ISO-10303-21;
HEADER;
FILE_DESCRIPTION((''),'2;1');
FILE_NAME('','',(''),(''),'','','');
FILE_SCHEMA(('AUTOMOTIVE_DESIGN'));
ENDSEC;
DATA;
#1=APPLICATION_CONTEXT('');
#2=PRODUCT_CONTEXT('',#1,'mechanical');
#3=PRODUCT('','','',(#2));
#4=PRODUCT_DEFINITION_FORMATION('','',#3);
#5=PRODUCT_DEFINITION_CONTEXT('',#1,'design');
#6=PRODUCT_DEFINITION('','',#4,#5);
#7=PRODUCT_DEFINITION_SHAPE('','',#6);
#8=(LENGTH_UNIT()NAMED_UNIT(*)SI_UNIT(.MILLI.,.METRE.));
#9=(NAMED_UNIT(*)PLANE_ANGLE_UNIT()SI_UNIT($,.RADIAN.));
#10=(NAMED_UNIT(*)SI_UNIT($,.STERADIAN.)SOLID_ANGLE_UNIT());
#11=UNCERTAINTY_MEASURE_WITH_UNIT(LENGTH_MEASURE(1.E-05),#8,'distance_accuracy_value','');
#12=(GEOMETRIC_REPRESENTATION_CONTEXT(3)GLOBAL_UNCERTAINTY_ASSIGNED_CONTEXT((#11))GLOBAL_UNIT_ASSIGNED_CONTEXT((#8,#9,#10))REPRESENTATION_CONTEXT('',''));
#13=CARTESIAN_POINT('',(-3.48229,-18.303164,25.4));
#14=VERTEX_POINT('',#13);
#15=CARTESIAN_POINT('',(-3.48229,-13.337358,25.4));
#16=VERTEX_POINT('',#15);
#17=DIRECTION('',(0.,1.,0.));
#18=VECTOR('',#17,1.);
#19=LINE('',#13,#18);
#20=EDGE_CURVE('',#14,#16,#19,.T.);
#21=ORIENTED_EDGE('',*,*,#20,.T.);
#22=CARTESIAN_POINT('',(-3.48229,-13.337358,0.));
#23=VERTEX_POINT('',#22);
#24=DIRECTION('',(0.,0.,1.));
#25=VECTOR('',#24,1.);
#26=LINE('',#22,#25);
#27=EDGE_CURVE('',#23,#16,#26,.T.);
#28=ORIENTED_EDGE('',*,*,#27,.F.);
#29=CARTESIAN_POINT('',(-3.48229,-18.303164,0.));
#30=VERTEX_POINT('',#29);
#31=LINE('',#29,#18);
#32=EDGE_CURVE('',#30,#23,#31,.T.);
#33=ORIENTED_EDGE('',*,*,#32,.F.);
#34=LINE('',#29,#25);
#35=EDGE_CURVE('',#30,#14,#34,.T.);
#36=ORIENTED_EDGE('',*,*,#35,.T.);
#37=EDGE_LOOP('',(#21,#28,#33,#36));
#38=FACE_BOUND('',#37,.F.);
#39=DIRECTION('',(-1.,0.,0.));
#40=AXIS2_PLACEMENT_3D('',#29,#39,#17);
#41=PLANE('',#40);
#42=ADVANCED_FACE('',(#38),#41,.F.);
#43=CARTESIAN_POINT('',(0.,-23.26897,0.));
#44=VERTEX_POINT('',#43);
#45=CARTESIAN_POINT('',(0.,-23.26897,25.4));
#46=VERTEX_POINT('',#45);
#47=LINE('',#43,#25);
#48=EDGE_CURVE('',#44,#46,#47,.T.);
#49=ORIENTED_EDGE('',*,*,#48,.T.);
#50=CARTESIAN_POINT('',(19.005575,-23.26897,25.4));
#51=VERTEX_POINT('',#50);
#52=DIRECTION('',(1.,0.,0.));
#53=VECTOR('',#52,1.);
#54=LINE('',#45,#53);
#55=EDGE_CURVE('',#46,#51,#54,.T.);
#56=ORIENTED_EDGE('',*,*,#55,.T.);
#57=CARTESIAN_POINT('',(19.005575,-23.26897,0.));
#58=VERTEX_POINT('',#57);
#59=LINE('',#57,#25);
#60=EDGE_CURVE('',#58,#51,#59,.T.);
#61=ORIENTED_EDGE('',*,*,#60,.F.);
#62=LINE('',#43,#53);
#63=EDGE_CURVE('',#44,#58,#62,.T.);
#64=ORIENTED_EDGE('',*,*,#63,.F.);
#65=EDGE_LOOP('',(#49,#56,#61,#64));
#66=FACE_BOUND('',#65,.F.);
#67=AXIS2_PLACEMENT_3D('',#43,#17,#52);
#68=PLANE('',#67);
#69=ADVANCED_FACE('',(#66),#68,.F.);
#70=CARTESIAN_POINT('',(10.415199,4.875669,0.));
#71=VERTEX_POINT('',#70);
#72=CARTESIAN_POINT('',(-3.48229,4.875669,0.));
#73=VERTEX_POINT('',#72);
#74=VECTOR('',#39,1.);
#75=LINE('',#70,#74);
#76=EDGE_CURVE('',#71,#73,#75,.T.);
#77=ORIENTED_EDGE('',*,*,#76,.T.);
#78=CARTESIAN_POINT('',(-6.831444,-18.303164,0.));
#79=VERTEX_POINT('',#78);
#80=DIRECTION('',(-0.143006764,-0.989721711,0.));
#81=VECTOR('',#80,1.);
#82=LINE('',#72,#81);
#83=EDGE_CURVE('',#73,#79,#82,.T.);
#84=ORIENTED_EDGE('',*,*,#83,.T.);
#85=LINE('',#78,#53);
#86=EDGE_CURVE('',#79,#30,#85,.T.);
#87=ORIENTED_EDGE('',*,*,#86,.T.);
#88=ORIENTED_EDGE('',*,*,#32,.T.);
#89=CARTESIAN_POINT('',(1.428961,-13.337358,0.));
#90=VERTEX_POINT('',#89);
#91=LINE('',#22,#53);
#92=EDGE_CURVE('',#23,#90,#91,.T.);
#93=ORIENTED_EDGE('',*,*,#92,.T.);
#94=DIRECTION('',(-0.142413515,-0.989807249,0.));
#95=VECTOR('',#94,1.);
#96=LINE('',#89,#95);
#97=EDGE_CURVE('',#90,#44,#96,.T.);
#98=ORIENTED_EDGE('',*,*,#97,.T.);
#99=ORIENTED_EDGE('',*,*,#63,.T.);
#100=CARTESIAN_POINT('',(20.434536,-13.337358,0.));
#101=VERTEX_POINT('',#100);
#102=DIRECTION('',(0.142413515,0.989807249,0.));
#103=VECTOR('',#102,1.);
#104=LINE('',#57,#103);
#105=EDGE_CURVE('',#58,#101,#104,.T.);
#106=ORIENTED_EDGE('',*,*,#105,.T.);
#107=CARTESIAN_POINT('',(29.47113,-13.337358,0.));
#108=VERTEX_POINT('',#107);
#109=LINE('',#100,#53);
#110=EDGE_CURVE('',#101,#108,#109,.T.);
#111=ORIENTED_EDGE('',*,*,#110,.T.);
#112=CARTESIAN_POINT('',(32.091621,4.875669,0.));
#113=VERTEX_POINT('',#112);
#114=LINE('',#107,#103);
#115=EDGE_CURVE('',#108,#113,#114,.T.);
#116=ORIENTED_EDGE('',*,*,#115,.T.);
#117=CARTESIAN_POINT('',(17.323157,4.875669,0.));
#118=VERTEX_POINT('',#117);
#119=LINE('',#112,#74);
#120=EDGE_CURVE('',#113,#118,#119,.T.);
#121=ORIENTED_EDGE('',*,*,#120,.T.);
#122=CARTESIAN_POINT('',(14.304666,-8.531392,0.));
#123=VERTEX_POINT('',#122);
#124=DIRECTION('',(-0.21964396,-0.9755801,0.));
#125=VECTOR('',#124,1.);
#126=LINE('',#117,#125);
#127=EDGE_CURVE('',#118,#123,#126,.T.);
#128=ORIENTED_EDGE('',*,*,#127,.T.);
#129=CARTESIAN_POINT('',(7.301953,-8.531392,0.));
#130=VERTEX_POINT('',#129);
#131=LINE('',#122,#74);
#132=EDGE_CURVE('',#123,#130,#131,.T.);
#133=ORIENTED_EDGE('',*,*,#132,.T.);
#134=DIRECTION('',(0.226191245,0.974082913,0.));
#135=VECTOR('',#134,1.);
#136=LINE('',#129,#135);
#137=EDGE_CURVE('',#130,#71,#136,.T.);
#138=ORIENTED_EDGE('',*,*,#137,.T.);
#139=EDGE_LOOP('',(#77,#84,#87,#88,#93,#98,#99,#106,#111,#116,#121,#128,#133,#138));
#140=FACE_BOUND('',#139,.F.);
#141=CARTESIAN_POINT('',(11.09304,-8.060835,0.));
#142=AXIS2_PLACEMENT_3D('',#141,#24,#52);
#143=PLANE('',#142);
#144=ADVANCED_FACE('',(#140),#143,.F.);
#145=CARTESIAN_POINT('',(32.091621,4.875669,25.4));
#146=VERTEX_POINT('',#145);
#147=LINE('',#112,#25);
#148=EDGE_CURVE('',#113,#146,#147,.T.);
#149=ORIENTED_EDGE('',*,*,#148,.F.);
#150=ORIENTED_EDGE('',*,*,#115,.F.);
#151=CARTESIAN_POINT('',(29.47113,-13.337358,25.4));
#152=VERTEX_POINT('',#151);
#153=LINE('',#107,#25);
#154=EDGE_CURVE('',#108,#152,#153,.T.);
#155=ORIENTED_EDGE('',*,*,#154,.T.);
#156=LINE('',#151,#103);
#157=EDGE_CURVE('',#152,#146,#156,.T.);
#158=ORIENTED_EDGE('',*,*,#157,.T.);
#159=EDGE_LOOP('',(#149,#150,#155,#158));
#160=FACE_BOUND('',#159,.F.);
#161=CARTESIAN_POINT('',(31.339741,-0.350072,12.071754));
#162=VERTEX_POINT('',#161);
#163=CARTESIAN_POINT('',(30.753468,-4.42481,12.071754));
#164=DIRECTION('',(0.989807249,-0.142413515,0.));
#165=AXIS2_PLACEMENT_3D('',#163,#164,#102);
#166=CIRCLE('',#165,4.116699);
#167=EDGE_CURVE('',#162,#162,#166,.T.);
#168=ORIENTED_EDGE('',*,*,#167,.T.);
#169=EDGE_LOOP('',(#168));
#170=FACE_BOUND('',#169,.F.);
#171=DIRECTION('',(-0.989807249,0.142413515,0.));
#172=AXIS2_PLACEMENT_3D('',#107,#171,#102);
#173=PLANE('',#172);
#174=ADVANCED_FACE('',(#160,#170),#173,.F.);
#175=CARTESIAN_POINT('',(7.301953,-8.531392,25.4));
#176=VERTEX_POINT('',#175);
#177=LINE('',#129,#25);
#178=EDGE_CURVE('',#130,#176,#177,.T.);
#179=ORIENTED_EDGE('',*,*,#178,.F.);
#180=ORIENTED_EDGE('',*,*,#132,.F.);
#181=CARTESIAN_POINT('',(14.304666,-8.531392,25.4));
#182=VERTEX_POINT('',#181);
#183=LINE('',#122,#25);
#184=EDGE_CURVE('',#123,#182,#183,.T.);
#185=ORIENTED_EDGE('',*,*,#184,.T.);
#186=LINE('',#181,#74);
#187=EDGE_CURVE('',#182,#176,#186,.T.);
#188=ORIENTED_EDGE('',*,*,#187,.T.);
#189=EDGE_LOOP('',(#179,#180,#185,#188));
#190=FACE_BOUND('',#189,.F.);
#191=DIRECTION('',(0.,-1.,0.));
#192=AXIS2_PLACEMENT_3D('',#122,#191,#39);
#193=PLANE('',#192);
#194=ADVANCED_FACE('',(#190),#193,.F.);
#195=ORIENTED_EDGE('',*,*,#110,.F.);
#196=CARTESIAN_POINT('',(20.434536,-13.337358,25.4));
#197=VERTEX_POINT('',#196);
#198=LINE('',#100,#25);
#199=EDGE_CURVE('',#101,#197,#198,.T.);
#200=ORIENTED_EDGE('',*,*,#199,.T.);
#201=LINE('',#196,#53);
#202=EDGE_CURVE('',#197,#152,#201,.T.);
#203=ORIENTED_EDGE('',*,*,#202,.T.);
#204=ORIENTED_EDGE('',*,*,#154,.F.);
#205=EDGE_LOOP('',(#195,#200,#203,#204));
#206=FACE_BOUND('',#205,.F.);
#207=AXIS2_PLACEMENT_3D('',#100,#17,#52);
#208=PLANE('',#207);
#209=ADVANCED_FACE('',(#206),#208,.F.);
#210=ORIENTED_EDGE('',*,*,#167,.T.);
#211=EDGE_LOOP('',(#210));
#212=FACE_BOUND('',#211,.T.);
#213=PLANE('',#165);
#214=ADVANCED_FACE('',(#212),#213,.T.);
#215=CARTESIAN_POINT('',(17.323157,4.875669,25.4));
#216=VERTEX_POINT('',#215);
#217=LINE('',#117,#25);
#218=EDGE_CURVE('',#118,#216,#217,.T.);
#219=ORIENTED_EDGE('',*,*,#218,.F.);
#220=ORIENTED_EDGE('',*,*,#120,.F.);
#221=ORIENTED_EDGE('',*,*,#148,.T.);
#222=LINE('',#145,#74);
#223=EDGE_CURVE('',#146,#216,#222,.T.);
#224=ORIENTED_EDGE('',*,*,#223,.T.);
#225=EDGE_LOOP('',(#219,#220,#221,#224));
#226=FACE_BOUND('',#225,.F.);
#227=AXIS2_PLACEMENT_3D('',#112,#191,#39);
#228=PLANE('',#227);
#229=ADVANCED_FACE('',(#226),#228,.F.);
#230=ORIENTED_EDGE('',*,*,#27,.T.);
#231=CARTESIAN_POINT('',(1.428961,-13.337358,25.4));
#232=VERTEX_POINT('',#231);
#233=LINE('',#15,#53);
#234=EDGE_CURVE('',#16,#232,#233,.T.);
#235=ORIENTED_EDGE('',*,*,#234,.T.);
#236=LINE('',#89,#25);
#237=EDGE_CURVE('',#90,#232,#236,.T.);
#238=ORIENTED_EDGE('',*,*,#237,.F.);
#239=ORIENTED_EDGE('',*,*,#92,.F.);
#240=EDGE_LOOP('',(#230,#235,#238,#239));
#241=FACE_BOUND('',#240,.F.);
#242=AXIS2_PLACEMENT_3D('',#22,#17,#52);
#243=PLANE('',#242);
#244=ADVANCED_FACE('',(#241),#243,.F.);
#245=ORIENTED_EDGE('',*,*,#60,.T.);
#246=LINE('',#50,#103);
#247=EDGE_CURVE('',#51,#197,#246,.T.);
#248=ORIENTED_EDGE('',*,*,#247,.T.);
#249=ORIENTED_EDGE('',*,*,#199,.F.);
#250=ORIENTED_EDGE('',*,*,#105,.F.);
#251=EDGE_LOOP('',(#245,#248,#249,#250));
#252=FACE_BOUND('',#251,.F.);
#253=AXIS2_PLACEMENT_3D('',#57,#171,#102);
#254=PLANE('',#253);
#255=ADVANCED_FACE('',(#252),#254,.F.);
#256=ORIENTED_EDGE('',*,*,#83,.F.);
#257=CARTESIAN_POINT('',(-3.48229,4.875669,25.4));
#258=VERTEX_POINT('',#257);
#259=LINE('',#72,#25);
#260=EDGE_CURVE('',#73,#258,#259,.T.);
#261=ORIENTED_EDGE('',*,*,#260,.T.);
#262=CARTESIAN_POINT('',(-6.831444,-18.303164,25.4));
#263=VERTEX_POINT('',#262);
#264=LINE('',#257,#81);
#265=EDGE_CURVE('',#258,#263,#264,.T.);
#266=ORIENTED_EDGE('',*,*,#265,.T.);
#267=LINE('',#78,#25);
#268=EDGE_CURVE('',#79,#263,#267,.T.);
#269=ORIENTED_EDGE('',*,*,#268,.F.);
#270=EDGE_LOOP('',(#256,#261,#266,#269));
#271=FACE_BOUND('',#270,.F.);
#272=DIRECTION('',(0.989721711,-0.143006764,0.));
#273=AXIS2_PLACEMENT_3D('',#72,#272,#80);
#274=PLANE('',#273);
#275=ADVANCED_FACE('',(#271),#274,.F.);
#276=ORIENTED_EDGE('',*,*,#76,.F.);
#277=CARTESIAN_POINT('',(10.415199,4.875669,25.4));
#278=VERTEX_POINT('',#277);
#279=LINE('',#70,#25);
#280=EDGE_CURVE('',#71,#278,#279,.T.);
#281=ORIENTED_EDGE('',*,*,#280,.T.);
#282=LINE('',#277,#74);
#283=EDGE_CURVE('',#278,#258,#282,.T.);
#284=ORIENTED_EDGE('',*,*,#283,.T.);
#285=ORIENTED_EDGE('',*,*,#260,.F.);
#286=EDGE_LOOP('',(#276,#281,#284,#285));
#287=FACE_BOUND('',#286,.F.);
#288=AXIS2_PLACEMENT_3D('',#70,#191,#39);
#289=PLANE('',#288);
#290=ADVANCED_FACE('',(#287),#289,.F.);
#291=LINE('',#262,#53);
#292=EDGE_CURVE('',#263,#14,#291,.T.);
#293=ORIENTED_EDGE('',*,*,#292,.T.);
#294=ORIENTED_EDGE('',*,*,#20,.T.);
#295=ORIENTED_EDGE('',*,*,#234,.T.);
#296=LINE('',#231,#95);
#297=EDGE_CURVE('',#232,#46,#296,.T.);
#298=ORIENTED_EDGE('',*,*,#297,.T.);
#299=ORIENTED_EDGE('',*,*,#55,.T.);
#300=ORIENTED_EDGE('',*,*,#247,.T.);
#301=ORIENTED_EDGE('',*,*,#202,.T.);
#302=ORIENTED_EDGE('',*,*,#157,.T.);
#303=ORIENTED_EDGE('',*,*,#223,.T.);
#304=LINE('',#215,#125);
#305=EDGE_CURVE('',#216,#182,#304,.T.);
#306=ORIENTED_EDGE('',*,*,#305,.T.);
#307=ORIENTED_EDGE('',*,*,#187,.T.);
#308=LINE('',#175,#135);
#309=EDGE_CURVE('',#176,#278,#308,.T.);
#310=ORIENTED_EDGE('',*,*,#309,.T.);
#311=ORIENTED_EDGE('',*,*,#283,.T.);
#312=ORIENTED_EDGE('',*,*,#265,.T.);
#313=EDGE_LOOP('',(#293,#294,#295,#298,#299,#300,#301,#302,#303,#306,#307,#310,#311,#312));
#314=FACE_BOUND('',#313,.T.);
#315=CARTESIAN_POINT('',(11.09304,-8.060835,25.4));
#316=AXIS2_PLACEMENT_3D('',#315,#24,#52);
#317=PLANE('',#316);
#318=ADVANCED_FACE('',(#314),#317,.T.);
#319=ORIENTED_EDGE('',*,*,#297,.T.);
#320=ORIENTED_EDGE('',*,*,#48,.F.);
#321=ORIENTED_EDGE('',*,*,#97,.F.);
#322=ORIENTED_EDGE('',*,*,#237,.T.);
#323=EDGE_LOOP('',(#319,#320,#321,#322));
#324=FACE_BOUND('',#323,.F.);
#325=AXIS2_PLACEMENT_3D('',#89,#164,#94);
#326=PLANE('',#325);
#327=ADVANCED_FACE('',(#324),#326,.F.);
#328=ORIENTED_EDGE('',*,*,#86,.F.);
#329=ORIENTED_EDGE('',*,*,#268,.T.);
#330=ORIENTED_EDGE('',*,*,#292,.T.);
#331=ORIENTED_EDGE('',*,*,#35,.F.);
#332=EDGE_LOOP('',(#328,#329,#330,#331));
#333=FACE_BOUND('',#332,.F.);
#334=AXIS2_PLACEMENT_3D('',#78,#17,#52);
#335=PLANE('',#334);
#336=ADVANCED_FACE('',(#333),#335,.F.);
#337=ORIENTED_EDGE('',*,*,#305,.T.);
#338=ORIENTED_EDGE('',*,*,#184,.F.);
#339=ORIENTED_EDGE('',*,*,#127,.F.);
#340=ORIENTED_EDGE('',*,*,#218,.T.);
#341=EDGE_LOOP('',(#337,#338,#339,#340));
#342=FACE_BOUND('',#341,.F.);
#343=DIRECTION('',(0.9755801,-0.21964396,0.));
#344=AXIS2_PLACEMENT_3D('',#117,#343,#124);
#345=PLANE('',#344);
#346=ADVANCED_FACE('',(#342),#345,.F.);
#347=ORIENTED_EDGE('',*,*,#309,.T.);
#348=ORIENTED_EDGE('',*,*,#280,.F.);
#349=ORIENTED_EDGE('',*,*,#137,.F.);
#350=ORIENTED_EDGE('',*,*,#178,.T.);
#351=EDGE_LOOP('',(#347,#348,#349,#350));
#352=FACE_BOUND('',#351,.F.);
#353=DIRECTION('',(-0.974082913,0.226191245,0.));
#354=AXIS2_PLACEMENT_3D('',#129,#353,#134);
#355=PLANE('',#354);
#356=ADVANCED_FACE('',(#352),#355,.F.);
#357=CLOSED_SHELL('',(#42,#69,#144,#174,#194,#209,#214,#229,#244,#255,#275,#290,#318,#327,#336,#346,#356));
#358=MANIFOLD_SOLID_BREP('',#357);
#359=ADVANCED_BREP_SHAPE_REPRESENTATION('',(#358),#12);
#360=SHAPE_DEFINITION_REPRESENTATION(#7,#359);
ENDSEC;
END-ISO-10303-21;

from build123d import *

# Parameters (mm, degrees)
F1_DEPTH = 25.4
F2_R     = 4.1166992961
F3_DEPTH = 19.05


with BuildPart() as f1:
    # F0 (on Top) → F1 (new body)
    with BuildSketch(Plane.XY):
        Polygon((20.4345360398, -13.3373579777), (29.4711300682, -13.3373579777), (32.0916213095, 4.8756692559), (17.3231568187, 4.8756692559), (14.3046656158, -8.5313916206), (7.3019531555, -8.5313916206), (10.4151992127, 4.8756692559), (-3.482290078, 4.8756692559), (-6.8314435608, -18.3031638536), (-3.482290078, -18.3031638536), (-3.482290078, -13.3373579777), (1.4289607804, -13.3373579777), (0.7144803902, -18.3031638536), (0, -23.2689697295), (19.0055752595, -23.2689697295), align=None)
    extrude(amount=F1_DEPTH)

    # F2 (on face) → F3 (cut)
    with BuildSketch(Plane(origin=(30.7534678394, -4.4248104437, 0), x_dir=(0.142413515, 0.9898072493, 0), z_dir=(0.9898072493, -0.142413515, 0))):
        with Locations((0, 12.0717538521)):
            Circle(F2_R)
    extrude(amount=F3_DEPTH, mode=Mode.SUBTRACT)


solid = f1.part
